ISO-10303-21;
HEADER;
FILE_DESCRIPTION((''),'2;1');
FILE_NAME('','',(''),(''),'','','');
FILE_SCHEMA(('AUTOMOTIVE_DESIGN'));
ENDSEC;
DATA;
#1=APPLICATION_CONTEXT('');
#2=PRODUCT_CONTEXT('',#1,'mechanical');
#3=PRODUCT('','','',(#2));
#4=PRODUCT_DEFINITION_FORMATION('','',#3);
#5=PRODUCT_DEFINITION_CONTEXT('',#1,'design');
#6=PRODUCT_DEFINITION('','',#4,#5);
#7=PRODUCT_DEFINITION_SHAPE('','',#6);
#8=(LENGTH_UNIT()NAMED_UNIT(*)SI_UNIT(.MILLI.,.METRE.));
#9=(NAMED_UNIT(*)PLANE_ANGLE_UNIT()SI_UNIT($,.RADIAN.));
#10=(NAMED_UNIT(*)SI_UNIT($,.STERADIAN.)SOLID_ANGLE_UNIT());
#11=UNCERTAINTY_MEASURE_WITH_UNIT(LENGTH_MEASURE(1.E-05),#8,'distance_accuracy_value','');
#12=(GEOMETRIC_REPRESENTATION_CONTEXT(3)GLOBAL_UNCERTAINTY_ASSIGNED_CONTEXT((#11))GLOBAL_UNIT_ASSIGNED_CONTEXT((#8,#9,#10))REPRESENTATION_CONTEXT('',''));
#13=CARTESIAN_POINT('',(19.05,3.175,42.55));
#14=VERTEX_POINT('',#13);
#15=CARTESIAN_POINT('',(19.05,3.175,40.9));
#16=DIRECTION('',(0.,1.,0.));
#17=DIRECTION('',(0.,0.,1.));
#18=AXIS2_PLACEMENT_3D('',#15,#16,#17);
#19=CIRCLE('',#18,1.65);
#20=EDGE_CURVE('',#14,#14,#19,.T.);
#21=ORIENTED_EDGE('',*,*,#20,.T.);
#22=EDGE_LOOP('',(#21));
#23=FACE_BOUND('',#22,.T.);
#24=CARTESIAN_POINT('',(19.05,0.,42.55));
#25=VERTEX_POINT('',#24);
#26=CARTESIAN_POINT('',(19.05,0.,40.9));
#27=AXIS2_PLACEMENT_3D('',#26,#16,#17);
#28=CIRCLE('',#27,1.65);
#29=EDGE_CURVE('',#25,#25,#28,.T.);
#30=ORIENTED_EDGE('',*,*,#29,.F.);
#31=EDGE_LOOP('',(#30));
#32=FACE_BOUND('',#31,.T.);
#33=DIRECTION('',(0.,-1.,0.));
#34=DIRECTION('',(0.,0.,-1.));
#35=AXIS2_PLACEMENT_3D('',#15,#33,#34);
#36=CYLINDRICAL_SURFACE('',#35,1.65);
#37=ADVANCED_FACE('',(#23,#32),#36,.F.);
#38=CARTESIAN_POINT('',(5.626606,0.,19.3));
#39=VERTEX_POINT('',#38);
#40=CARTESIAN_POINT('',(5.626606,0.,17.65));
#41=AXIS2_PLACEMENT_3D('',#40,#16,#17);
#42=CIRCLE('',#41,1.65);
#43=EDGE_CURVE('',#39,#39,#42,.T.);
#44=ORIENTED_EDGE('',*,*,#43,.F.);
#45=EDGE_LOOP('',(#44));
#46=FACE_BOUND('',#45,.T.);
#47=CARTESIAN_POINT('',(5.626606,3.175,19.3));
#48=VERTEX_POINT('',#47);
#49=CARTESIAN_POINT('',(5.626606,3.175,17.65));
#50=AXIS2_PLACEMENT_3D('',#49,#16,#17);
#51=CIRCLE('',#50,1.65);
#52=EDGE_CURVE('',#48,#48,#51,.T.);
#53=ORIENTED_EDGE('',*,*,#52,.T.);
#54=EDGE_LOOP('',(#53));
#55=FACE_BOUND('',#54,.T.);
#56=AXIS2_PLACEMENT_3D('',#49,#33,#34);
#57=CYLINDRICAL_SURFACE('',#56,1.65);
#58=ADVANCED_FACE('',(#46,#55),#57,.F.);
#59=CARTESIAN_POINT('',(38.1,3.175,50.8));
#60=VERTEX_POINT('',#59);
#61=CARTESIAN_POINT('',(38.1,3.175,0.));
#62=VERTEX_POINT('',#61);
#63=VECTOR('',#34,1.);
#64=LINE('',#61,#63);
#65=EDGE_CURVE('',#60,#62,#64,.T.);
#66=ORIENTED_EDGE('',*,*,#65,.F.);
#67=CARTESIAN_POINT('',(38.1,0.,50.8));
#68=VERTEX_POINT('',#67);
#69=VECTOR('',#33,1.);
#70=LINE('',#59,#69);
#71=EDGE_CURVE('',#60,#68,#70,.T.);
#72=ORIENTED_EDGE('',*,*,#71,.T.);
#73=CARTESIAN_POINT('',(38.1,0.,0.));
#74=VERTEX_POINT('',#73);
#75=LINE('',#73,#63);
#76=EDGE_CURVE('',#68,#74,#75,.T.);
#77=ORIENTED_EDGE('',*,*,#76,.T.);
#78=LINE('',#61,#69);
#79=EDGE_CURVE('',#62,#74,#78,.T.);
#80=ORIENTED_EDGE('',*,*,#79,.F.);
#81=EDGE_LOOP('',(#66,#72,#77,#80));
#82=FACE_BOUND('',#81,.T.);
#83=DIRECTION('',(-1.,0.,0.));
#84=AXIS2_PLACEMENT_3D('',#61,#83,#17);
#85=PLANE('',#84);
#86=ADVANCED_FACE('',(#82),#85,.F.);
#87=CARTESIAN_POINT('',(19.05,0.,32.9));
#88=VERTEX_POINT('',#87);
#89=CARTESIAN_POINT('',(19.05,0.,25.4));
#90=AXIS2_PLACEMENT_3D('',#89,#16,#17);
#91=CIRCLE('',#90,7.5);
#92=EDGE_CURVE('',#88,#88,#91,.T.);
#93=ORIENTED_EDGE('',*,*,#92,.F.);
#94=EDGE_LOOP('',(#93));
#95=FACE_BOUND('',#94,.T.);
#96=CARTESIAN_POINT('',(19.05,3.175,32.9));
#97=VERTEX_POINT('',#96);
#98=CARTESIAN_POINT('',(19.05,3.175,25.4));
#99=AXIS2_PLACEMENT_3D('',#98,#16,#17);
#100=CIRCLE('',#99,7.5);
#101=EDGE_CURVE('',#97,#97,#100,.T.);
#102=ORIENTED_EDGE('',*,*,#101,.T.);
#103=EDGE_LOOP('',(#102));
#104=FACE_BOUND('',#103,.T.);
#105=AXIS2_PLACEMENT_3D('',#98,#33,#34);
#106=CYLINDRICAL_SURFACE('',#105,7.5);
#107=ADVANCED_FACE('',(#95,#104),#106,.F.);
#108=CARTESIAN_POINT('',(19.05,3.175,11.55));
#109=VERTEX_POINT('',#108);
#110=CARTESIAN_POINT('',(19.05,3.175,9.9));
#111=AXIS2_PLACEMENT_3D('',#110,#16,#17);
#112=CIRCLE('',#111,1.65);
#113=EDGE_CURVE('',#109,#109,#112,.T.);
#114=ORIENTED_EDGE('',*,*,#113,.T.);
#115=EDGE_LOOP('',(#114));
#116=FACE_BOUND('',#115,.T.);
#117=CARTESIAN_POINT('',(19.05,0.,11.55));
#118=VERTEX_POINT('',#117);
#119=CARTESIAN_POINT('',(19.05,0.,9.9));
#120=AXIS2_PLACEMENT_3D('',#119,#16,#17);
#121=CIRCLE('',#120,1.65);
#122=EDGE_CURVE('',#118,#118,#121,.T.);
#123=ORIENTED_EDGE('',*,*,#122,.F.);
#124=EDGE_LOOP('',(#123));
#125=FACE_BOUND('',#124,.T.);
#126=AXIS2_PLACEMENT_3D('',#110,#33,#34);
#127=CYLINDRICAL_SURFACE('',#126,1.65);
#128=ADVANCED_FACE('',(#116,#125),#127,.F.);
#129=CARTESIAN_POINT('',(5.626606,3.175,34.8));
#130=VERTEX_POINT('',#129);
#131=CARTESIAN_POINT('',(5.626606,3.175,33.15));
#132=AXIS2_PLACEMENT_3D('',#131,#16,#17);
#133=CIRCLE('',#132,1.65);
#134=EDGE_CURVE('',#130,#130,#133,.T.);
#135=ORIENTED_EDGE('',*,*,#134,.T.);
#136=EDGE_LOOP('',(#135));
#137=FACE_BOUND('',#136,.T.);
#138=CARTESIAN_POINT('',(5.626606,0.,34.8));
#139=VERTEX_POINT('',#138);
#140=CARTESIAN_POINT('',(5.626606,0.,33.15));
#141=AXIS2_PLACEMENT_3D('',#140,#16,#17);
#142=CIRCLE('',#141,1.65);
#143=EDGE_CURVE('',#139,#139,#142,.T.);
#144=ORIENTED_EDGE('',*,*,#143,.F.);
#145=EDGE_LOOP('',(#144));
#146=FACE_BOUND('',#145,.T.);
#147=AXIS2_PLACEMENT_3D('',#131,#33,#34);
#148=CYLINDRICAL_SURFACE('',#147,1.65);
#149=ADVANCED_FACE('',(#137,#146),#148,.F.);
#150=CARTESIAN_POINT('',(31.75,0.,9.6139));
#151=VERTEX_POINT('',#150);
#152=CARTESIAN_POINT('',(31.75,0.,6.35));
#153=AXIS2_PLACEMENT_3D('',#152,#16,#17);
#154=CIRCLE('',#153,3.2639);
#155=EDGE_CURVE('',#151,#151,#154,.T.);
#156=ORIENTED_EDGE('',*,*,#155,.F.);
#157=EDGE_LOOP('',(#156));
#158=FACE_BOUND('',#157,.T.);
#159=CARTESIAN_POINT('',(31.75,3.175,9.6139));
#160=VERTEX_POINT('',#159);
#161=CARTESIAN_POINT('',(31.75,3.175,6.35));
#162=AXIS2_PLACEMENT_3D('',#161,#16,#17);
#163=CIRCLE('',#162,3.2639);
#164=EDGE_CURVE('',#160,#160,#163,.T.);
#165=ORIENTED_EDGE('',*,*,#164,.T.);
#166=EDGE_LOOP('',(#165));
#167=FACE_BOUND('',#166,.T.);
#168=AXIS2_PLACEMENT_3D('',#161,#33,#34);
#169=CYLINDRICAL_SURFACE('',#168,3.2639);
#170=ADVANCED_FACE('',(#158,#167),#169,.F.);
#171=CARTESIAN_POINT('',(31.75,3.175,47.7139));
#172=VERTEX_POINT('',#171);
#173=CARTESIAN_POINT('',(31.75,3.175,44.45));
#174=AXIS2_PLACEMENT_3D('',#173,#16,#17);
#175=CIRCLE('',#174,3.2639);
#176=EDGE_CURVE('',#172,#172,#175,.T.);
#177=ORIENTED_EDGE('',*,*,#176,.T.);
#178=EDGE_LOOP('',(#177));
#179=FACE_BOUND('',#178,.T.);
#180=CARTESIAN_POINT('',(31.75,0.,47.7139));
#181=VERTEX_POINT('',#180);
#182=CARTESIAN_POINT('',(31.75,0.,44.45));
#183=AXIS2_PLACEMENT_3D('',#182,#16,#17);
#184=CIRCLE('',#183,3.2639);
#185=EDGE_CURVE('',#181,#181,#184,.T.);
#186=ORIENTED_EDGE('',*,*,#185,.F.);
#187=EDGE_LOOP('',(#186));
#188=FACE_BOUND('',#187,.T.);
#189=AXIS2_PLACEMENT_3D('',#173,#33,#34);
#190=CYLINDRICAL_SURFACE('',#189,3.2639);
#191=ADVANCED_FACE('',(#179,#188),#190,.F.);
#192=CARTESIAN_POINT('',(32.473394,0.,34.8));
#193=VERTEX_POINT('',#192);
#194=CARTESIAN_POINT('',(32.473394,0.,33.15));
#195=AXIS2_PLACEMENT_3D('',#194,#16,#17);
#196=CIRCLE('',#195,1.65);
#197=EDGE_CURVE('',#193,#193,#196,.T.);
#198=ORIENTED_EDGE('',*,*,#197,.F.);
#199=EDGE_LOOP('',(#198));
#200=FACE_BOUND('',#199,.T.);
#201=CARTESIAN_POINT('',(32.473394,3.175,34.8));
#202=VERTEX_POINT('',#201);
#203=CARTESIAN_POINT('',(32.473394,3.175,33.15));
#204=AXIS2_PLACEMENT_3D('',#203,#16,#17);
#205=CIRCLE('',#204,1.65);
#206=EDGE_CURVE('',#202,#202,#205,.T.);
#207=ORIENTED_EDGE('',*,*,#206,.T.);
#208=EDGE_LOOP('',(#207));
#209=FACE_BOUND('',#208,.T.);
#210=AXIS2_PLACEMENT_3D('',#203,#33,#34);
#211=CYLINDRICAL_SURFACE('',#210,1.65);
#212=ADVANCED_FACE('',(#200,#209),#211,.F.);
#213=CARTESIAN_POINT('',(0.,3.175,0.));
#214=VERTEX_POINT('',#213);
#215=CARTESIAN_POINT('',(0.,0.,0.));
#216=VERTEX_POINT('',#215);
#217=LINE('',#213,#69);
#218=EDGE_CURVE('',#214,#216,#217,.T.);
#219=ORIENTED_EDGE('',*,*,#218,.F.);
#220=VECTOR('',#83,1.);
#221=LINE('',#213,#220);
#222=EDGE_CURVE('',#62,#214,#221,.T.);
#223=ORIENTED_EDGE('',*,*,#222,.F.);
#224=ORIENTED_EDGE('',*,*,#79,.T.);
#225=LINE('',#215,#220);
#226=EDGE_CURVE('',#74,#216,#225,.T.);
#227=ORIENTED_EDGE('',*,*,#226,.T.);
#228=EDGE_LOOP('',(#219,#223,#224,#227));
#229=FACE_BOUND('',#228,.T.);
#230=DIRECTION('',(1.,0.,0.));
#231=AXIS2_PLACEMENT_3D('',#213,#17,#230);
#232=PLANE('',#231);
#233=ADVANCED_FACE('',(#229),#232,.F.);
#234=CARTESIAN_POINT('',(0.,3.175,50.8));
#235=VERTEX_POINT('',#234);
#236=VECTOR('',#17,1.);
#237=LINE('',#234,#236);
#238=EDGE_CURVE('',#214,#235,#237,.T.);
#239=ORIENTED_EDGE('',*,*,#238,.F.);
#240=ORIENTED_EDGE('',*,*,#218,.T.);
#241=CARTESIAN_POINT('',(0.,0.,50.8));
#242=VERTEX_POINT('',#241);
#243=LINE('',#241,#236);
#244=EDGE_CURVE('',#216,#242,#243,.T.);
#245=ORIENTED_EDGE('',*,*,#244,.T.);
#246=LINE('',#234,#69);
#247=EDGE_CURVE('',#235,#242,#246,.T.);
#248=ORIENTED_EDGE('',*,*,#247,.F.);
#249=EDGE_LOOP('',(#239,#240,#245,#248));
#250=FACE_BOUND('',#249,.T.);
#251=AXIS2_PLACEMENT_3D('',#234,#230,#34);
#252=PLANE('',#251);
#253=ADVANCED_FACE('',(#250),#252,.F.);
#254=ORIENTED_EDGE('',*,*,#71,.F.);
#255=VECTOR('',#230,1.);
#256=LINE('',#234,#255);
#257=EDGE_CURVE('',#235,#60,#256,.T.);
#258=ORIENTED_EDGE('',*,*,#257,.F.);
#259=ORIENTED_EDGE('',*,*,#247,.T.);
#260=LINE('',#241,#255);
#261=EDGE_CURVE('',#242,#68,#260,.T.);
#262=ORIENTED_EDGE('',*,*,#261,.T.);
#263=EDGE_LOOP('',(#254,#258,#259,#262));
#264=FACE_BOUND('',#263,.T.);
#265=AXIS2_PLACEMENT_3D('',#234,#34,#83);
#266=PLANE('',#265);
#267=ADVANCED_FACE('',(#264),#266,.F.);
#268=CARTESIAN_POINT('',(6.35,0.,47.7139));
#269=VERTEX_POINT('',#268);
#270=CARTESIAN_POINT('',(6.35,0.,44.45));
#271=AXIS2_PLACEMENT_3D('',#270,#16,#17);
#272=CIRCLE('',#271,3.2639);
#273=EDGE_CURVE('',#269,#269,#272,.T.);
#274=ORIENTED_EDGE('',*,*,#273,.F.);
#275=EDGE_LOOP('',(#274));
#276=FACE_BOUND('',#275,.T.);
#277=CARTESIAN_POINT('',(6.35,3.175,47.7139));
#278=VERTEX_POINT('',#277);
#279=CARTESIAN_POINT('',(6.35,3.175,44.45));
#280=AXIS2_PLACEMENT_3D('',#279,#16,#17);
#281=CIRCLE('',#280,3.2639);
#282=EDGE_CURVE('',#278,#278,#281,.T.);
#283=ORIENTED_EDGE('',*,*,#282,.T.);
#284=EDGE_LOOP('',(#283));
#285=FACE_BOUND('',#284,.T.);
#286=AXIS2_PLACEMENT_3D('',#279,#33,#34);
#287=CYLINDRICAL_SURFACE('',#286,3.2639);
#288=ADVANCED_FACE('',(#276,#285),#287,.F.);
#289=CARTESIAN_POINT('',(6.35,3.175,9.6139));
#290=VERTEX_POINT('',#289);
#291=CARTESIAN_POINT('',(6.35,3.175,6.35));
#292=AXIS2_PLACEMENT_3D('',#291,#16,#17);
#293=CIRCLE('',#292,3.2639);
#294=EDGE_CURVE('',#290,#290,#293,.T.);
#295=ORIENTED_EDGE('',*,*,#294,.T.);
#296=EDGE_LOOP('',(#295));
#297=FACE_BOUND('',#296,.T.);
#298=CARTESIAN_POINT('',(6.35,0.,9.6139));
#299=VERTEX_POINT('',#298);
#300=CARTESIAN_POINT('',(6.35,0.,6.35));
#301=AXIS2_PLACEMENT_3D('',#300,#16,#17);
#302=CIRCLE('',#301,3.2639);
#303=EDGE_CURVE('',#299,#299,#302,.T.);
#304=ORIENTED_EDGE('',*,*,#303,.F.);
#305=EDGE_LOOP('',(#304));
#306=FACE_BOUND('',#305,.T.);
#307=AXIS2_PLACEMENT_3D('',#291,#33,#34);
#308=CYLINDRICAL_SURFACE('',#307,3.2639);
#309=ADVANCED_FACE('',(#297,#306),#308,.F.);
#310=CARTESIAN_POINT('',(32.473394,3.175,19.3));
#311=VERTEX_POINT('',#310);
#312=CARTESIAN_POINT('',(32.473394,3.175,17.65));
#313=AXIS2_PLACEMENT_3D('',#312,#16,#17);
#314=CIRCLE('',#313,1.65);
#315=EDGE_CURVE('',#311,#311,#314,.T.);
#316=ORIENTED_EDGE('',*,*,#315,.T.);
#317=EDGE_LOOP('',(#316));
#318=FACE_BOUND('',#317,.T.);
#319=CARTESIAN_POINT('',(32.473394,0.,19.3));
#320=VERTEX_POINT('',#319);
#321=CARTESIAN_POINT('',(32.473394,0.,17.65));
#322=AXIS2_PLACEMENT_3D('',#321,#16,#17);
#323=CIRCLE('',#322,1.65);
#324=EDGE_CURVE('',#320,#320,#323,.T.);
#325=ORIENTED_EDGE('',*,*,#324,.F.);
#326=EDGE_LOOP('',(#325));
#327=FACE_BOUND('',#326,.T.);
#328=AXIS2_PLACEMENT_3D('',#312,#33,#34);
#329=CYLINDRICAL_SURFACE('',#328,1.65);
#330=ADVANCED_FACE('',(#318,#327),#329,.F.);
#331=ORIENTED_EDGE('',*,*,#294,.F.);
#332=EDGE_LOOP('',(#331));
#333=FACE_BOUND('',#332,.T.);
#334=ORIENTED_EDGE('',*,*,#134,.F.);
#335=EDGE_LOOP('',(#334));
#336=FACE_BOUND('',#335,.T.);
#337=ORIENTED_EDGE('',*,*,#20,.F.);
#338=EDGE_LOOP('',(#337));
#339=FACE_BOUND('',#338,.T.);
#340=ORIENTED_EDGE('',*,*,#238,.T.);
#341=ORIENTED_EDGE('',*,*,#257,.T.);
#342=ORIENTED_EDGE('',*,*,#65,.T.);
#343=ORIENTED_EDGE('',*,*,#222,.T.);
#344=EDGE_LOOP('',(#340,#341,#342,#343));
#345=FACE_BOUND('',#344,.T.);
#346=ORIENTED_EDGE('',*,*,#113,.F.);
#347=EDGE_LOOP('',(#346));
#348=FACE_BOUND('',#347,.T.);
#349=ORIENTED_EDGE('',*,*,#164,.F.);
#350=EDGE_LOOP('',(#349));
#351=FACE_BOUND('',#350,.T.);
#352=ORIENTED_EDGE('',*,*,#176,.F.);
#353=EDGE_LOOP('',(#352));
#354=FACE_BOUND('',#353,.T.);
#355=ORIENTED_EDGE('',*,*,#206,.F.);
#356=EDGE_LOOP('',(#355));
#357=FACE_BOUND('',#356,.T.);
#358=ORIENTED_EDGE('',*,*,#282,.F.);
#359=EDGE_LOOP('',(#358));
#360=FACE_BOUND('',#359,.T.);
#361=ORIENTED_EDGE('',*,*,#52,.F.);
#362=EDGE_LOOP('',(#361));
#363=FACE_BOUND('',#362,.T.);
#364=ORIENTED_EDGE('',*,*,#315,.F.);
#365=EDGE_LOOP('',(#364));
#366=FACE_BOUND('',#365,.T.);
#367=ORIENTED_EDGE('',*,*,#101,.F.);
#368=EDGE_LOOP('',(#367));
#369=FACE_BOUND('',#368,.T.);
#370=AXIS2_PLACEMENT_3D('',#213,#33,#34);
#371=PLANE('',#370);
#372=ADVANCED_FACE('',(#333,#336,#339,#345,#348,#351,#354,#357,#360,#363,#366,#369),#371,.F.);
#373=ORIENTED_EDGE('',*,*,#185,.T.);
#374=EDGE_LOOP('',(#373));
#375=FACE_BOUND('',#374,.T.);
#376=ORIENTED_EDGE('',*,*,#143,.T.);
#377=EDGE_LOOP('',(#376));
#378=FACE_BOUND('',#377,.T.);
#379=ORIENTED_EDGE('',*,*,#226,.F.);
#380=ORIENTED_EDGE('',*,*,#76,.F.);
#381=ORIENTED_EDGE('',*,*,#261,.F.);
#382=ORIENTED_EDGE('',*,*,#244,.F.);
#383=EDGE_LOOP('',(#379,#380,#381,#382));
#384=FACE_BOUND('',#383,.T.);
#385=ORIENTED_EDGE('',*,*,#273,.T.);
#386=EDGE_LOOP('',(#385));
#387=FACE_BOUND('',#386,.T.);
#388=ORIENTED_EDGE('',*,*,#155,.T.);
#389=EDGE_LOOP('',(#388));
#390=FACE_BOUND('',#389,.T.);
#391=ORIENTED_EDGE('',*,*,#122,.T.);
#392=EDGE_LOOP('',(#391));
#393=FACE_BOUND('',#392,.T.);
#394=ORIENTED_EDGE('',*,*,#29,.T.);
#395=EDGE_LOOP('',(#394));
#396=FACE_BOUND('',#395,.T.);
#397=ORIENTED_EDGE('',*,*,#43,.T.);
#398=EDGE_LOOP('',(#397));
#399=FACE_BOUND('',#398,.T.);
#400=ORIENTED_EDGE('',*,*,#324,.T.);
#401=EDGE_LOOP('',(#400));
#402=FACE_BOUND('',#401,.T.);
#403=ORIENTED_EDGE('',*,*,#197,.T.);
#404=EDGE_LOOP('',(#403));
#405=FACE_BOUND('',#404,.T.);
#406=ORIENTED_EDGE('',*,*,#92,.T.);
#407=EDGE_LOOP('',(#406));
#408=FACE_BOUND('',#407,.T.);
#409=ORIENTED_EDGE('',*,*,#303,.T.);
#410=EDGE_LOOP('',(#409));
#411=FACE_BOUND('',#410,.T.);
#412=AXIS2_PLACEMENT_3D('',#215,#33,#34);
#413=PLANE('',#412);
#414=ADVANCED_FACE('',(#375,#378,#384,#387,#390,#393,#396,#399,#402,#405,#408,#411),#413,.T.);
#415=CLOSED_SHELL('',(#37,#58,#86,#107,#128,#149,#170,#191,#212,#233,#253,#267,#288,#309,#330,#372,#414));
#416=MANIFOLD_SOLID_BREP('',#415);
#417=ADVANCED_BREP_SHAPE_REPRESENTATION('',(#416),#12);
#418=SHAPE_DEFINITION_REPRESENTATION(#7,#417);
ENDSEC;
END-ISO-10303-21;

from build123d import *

# Parameters (mm, degrees)
SKETCH1_W          = 38.1
SKETCH1_H          = 50.8
SKETCH1_R          = 1.65
SKETCH1_R_2        = 7.5
SKETCH1_R_3        = 3.2639
BASE_EXTRUDE_DEPTH = 3.175


with BuildPart() as part:
    # Sketch1 → Base Extrude (new body)
    with BuildSketch(Plane(origin=(0, 0, 0), x_dir=(1, 0, 0), z_dir=(0, 1, 0))):
        with Locations((19.05, -25.4)):
            Rectangle(SKETCH1_W, SKETCH1_H)
        with Locations((19.05, -40.9)):
            Circle(SKETCH1_R, mode=Mode.SUBTRACT)
        with Locations((5.626606241, -33.15)):
            Circle(SKETCH1_R, mode=Mode.SUBTRACT)
        with Locations((5.626606241, -17.65)):
            Circle(SKETCH1_R, mode=Mode.SUBTRACT)
        with Locations((19.05, -9.9)):
            Circle(SKETCH1_R, mode=Mode.SUBTRACT)
        with Locations((32.473393759, -17.65)):
            Circle(SKETCH1_R, mode=Mode.SUBTRACT)
        with Locations((32.473393759, -33.15)):
            Circle(SKETCH1_R, mode=Mode.SUBTRACT)
        with Locations((19.05, -25.4)):
            Circle(SKETCH1_R_2, mode=Mode.SUBTRACT)
        with Locations((6.35, -6.35)):
            Circle(SKETCH1_R_3, mode=Mode.SUBTRACT)
        with Locations((31.75, -6.35)):
            Circle(SKETCH1_R_3, mode=Mode.SUBTRACT)
        with Locations((6.35, -44.45)):
            Circle(SKETCH1_R_3, mode=Mode.SUBTRACT)
        with Locations((31.75, -44.45)):
            Circle(SKETCH1_R_3, mode=Mode.SUBTRACT)
    extrude(amount=BASE_EXTRUDE_DEPTH)


solid = part.part
